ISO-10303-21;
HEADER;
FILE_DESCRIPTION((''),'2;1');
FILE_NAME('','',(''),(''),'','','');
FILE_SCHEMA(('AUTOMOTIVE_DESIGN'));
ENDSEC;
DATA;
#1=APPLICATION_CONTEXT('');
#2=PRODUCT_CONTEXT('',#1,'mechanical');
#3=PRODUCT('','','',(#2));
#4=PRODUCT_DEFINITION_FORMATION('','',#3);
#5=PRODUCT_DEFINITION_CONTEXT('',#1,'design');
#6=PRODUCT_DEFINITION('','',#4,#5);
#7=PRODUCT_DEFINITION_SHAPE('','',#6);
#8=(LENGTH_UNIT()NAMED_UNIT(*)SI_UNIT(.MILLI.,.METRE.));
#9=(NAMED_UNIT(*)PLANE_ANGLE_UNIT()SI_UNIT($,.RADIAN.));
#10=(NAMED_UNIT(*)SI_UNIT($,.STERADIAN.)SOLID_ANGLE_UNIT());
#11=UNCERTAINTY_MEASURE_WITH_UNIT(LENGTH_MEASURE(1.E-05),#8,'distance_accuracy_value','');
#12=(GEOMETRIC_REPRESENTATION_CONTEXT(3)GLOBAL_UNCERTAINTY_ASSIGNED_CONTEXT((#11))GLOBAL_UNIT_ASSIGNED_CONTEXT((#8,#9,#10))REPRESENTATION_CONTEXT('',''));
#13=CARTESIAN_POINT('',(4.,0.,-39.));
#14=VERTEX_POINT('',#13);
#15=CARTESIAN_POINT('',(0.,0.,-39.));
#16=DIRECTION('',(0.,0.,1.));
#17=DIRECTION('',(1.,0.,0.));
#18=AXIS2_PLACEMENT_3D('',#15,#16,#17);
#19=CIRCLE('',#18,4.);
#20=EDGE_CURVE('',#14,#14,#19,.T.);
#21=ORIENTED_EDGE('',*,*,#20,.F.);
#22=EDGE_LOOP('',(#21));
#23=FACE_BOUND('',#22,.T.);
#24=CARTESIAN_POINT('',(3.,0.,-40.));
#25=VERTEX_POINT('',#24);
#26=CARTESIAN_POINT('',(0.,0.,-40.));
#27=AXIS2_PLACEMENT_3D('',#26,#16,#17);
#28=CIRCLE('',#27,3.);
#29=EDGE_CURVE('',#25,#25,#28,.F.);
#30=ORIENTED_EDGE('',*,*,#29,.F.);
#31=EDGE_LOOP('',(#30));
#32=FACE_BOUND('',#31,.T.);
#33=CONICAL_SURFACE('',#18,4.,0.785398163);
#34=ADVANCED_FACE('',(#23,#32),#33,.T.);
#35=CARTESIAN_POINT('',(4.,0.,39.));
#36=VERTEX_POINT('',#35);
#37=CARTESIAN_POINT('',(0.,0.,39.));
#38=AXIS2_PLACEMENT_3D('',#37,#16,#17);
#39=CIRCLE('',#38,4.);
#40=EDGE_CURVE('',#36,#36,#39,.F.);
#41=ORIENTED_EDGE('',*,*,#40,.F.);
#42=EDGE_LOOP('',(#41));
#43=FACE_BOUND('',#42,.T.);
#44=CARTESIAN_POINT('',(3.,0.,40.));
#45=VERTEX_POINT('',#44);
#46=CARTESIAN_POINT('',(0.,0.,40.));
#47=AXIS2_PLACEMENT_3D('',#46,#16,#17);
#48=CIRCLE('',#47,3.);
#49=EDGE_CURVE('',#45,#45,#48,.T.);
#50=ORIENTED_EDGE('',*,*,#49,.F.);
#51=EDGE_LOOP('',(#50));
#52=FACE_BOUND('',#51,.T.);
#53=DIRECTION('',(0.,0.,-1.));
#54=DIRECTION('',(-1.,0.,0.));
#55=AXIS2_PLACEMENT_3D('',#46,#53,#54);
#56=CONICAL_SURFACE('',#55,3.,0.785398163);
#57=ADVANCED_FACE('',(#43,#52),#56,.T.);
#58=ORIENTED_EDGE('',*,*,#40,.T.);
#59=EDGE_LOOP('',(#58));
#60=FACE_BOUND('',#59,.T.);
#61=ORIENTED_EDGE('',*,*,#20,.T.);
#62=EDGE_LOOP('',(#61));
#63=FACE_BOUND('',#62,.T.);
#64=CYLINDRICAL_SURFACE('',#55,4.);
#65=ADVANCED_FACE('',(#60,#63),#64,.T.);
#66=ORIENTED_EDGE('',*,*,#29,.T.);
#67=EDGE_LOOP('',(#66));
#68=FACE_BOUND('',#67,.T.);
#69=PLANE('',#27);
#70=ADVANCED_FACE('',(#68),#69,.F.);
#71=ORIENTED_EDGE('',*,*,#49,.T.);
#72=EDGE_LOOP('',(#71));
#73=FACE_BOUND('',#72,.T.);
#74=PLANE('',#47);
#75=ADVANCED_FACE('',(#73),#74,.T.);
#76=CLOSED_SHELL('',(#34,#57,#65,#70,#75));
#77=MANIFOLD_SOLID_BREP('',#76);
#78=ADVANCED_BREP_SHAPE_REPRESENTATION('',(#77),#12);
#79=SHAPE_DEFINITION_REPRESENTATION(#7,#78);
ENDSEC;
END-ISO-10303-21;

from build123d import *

# Parameters (mm, degrees)
SZKIC1_R                    = 4
DODANIE_WYCI_GNI_CIE1_DEPTH = 40
SFAZOWANIE1_SIZE            = 1


with BuildPart() as part:
    # Szkic1 → Dodanie-wyciągnięcie1 (new body, symmetric)
    with BuildSketch(Plane.XY):
        Circle(SZKIC1_R)
    extrude(amount=DODANIE_WYCI_GNI_CIE1_DEPTH, both=True)

    # Sfazowanie1
    sfazowanie1_edges = [part.edges().sort_by_distance(p)[0] for p in [
        (-4, 0, -40),
        (-4, 0, 40),
    ]]
    chamfer(sfazowanie1_edges, length=SFAZOWANIE1_SIZE)


solid = part.part
